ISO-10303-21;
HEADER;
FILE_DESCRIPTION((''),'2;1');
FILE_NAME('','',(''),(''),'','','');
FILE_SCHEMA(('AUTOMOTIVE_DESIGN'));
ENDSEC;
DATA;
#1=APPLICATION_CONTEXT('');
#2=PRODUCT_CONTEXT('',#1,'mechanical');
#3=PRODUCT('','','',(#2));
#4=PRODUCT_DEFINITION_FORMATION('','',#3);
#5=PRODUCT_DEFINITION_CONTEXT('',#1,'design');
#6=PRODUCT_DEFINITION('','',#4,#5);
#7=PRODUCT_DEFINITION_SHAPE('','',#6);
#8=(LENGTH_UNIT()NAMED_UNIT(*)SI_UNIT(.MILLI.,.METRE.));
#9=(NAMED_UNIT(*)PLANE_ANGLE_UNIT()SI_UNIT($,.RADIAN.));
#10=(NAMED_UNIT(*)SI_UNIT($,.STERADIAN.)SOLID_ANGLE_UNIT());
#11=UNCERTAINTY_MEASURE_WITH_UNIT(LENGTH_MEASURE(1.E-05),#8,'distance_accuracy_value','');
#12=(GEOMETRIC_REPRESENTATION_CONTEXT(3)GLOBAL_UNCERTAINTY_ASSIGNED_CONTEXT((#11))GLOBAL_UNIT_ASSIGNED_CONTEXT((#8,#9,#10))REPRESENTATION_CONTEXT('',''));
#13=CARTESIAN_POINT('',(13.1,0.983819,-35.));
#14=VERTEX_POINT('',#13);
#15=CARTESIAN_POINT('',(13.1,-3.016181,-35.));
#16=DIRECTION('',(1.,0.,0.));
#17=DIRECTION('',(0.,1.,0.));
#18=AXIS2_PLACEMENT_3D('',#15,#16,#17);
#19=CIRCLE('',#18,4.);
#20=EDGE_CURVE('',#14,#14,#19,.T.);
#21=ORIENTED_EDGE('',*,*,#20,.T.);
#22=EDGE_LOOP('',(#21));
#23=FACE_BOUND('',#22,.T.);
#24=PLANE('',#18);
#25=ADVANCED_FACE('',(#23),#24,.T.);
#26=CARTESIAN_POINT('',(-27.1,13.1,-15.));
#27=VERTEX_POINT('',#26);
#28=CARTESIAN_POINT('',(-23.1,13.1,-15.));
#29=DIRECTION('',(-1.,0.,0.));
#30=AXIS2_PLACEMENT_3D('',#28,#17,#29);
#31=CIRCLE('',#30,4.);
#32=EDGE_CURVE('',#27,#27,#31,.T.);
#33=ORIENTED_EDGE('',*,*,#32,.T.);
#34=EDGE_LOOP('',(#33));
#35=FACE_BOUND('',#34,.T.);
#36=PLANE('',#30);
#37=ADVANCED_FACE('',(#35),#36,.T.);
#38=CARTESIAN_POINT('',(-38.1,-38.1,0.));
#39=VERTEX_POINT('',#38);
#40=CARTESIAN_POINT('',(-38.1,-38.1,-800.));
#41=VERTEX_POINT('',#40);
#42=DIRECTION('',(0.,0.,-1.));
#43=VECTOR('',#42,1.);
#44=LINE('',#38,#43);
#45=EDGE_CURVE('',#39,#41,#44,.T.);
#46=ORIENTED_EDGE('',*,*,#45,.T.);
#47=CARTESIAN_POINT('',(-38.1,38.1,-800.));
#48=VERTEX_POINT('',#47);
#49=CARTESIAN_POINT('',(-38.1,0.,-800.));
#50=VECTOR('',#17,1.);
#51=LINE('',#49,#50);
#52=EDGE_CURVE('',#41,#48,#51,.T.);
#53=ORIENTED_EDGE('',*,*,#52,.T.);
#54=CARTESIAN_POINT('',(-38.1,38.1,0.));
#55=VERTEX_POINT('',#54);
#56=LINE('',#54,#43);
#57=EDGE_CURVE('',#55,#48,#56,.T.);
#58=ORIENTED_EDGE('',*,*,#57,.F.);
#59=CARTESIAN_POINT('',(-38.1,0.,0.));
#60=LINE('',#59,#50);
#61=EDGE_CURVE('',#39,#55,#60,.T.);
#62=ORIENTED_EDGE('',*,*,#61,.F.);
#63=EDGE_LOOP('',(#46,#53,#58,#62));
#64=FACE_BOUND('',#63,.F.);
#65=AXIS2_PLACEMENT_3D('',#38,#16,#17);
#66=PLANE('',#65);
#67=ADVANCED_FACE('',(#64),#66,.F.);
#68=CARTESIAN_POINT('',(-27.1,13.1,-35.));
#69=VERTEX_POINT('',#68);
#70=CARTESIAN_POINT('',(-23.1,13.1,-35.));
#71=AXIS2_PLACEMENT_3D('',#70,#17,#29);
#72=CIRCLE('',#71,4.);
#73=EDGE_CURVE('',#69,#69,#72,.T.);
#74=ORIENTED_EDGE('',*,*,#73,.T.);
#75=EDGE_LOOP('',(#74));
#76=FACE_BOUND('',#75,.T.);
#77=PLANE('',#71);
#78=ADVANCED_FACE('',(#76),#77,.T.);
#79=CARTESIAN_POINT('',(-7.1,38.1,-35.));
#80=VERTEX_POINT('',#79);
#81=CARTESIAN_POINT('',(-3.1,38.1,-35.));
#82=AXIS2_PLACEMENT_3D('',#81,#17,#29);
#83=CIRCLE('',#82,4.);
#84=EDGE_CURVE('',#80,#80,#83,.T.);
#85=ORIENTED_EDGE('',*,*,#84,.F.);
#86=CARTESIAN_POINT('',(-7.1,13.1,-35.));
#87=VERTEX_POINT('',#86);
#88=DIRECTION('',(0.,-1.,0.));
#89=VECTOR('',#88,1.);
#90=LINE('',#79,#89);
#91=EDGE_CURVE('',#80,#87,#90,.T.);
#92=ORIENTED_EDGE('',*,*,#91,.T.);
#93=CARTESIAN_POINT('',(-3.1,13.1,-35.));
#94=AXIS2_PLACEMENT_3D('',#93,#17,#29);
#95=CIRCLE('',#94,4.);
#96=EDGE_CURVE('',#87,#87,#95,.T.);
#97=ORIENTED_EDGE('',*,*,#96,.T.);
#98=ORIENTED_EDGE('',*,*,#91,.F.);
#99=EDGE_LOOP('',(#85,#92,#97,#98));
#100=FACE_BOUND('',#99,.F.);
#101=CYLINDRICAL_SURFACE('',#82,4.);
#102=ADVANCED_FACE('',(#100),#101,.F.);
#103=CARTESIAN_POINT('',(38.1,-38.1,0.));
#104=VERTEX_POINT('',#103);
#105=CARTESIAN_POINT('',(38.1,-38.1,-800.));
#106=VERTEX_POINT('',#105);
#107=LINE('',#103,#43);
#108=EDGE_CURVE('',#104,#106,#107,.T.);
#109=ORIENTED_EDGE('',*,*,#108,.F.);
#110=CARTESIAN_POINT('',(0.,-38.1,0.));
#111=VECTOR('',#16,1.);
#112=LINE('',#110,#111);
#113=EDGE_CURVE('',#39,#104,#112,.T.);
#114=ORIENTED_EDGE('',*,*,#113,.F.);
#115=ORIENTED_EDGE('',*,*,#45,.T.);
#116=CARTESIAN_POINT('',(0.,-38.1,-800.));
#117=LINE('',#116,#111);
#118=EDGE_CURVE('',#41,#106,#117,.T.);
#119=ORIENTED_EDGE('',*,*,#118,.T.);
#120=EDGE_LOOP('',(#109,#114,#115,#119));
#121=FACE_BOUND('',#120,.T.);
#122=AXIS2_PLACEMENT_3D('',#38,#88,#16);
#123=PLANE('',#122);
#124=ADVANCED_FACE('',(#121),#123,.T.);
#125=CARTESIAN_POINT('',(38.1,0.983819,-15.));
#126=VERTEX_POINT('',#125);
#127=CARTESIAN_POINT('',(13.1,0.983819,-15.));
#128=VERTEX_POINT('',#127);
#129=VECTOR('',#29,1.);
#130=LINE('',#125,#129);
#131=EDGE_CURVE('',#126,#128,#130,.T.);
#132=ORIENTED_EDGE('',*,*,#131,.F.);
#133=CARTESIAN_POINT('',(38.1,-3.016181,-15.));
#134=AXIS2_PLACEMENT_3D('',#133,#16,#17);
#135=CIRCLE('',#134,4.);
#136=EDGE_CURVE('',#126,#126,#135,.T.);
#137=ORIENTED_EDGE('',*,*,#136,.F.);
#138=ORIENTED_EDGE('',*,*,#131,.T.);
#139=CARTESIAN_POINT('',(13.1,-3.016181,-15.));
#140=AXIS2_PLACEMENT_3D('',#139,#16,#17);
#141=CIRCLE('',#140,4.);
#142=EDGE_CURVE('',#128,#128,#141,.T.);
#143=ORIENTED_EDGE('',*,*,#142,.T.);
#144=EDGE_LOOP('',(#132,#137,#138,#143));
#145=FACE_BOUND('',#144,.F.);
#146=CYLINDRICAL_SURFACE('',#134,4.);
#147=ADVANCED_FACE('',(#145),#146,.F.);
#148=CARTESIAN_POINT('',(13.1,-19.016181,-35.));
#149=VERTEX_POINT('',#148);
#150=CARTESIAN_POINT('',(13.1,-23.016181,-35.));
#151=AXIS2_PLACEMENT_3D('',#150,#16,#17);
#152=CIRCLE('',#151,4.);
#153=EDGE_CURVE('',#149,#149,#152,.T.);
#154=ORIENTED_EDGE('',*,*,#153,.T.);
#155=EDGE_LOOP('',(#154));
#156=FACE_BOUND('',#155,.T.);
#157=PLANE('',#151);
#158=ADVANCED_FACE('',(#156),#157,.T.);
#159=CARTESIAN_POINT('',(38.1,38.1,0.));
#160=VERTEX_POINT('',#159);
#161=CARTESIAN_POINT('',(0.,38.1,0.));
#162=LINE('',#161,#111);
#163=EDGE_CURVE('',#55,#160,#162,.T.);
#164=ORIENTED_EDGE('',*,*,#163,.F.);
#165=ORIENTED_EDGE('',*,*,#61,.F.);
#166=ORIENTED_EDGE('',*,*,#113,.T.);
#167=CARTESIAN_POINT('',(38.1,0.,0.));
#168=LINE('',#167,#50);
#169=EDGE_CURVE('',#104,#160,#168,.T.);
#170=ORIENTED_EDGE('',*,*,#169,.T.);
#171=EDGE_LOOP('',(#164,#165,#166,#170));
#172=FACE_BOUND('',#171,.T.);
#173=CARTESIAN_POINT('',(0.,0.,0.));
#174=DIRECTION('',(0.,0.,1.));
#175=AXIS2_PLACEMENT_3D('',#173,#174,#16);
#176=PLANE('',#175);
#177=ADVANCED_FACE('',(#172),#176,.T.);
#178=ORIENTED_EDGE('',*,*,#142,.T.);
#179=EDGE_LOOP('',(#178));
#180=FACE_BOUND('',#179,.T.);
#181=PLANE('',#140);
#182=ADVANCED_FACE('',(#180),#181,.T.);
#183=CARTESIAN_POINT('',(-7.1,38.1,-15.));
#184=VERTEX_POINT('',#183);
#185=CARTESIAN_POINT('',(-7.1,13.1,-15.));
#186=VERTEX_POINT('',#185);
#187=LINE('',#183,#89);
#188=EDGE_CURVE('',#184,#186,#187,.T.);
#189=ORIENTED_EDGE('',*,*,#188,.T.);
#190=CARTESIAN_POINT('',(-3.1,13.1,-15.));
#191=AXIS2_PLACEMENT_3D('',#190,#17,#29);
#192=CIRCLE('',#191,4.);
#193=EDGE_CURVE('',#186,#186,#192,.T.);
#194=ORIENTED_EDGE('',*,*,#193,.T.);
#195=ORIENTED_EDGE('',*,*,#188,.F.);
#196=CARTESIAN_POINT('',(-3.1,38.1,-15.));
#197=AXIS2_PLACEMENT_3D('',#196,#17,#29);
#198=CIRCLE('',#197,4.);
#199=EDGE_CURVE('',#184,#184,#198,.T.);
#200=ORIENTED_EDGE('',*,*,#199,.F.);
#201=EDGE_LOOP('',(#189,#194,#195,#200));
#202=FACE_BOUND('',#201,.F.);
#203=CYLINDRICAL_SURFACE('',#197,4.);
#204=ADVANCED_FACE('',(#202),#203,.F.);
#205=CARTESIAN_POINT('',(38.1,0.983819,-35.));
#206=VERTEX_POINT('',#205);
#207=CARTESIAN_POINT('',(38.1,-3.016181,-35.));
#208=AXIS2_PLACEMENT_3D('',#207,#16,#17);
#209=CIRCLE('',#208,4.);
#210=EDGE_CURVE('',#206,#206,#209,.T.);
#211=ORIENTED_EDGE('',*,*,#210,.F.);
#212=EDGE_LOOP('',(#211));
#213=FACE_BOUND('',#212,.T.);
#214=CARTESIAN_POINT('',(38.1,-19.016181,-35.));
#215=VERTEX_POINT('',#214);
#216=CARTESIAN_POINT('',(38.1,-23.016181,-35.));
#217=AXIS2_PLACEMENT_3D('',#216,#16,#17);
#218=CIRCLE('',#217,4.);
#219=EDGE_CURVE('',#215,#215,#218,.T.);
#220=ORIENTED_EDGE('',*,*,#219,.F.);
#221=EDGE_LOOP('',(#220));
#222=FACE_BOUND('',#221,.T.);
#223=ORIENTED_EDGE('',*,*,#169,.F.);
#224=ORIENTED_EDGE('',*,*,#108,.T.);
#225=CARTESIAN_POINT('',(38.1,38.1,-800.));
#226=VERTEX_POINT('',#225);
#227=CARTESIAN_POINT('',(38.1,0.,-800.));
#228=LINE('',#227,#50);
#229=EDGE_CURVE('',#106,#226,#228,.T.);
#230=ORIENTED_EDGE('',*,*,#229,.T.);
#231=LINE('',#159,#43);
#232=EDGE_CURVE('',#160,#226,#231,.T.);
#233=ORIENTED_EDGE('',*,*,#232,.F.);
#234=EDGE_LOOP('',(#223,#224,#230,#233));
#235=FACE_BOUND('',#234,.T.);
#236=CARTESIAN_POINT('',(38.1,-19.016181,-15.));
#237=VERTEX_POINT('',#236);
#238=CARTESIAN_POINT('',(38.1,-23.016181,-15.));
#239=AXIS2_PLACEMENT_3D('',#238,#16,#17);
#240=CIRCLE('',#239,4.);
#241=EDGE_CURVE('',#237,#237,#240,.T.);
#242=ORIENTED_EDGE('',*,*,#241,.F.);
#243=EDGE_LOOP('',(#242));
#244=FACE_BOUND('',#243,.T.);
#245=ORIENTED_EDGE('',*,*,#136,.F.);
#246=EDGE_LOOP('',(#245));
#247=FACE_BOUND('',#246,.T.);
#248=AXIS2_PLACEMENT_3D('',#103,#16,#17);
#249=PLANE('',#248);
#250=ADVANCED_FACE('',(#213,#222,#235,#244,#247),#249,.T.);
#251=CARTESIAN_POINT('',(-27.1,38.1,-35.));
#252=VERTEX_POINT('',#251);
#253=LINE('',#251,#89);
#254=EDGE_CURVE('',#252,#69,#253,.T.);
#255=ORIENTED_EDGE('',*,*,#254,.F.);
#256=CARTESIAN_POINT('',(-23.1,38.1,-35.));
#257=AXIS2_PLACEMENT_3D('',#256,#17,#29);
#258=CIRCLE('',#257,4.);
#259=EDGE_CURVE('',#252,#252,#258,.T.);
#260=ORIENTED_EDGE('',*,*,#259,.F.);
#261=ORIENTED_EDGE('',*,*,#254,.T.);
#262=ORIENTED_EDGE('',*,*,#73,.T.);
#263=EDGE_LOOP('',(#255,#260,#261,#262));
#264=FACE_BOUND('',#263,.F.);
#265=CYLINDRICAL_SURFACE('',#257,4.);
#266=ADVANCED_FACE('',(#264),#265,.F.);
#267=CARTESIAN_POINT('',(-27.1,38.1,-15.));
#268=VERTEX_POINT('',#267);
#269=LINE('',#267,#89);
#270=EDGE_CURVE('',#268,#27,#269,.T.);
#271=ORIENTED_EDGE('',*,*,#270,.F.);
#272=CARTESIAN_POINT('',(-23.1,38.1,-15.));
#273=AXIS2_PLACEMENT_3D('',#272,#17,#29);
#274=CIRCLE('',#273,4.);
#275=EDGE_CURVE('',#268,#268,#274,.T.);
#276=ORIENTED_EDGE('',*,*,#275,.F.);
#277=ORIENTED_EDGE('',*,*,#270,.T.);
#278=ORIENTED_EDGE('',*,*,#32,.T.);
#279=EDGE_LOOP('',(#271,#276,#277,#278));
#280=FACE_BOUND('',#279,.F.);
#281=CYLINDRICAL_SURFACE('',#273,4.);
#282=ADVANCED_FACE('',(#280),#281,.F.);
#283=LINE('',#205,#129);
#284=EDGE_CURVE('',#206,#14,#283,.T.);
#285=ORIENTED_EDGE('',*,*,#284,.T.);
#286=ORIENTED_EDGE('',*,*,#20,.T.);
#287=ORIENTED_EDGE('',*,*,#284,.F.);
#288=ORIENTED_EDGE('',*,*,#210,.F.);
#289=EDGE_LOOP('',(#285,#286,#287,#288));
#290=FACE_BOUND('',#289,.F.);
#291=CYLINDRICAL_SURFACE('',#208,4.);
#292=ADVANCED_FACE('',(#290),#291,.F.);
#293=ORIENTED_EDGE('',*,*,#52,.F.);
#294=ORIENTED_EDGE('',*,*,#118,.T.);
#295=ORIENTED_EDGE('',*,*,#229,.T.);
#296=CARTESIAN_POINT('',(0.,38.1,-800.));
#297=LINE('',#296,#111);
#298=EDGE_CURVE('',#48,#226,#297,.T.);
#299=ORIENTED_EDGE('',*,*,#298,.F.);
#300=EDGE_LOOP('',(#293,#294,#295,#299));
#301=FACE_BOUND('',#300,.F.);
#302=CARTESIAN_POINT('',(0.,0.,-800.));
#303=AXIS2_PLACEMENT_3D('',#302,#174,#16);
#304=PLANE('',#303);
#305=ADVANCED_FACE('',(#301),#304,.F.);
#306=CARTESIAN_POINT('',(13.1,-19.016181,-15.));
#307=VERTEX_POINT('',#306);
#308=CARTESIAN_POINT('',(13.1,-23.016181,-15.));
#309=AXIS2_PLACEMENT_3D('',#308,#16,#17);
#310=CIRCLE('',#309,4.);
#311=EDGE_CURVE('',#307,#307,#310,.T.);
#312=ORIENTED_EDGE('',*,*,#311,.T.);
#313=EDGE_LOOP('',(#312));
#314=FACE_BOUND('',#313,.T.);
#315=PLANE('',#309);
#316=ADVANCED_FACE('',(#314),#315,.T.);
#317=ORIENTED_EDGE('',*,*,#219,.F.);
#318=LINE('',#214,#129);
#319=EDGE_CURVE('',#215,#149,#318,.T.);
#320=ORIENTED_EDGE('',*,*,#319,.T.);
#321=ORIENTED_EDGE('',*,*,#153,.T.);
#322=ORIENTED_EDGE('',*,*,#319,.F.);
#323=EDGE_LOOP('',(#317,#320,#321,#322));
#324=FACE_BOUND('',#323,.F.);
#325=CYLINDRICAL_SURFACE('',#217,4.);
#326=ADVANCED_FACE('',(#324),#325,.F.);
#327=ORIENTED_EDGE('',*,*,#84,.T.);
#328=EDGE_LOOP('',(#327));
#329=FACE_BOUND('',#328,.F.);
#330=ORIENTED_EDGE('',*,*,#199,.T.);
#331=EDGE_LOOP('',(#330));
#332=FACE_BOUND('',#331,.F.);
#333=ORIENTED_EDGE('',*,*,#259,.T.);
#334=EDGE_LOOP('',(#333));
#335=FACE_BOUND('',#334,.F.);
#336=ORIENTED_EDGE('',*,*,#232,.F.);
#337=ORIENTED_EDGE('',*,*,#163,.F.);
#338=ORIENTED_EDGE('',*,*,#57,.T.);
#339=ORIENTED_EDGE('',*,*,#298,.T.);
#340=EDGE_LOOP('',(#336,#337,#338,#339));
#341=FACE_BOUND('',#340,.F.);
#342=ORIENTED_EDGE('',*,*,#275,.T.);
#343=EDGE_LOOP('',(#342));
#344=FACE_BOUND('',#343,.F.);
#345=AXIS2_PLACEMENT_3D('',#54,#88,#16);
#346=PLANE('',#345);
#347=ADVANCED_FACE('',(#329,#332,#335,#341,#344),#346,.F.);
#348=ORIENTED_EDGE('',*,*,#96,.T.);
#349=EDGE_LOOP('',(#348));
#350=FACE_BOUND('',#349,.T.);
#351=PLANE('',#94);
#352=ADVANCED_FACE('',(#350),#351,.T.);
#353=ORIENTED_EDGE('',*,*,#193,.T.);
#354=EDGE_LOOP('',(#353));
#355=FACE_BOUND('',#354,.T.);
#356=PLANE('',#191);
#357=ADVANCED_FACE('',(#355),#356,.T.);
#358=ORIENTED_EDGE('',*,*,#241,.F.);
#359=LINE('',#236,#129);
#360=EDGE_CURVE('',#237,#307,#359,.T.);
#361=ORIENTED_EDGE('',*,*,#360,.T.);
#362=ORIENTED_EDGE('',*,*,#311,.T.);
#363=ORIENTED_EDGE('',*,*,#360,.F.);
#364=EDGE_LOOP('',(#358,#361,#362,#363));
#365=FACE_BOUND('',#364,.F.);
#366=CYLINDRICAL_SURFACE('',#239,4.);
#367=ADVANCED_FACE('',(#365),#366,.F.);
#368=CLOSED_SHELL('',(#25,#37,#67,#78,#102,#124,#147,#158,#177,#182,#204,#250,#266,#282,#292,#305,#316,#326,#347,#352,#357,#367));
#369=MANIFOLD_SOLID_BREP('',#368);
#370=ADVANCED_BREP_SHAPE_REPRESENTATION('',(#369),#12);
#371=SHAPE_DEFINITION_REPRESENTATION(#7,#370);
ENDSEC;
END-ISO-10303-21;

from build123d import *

# Parameters (mm, degrees)
F0_W     = 76.2
F0_H     = 76.2
F1_DEPTH = 800
F2_R     = 4
F3_DEPTH = 25
F4_R     = 4
F5_DEPTH = 25


with BuildPart() as f1:
    # F0 (on Top) → F1 (new body)
    with BuildSketch(Plane.XY):
        Rectangle(F0_W, F0_H)
    extrude(amount=-F1_DEPTH)

    # F2 (on face) → F3 (cut)
    with BuildSketch(Plane.YZ.offset(38.1)):
        with Locations((-23.016181, -15)):
            Circle(F2_R)
        with Locations((-3.016181, -15)):
            Circle(F2_R)
        with Locations((-3.016181, -35)):
            Circle(F2_R)
        with Locations((-23.016181, -35)):
            Circle(F2_R)
    extrude(amount=-F3_DEPTH, mode=Mode.SUBTRACT)

    # F4 (on face) → F5 (cut)
    with BuildSketch(Plane(origin=(0, 38.1, 0), x_dir=(-1, 0, 0), z_dir=(0, 1, 0))):
        with Locations((3.1, -15)):
            Circle(F4_R)
        with Locations((23.1, -15)):
            Circle(F4_R)
        with Locations((3.1, -35)):
            Circle(F4_R)
        with Locations((23.1, -35)):
            Circle(F4_R)
    extrude(amount=-F5_DEPTH, mode=Mode.SUBTRACT)


solid = f1.part
